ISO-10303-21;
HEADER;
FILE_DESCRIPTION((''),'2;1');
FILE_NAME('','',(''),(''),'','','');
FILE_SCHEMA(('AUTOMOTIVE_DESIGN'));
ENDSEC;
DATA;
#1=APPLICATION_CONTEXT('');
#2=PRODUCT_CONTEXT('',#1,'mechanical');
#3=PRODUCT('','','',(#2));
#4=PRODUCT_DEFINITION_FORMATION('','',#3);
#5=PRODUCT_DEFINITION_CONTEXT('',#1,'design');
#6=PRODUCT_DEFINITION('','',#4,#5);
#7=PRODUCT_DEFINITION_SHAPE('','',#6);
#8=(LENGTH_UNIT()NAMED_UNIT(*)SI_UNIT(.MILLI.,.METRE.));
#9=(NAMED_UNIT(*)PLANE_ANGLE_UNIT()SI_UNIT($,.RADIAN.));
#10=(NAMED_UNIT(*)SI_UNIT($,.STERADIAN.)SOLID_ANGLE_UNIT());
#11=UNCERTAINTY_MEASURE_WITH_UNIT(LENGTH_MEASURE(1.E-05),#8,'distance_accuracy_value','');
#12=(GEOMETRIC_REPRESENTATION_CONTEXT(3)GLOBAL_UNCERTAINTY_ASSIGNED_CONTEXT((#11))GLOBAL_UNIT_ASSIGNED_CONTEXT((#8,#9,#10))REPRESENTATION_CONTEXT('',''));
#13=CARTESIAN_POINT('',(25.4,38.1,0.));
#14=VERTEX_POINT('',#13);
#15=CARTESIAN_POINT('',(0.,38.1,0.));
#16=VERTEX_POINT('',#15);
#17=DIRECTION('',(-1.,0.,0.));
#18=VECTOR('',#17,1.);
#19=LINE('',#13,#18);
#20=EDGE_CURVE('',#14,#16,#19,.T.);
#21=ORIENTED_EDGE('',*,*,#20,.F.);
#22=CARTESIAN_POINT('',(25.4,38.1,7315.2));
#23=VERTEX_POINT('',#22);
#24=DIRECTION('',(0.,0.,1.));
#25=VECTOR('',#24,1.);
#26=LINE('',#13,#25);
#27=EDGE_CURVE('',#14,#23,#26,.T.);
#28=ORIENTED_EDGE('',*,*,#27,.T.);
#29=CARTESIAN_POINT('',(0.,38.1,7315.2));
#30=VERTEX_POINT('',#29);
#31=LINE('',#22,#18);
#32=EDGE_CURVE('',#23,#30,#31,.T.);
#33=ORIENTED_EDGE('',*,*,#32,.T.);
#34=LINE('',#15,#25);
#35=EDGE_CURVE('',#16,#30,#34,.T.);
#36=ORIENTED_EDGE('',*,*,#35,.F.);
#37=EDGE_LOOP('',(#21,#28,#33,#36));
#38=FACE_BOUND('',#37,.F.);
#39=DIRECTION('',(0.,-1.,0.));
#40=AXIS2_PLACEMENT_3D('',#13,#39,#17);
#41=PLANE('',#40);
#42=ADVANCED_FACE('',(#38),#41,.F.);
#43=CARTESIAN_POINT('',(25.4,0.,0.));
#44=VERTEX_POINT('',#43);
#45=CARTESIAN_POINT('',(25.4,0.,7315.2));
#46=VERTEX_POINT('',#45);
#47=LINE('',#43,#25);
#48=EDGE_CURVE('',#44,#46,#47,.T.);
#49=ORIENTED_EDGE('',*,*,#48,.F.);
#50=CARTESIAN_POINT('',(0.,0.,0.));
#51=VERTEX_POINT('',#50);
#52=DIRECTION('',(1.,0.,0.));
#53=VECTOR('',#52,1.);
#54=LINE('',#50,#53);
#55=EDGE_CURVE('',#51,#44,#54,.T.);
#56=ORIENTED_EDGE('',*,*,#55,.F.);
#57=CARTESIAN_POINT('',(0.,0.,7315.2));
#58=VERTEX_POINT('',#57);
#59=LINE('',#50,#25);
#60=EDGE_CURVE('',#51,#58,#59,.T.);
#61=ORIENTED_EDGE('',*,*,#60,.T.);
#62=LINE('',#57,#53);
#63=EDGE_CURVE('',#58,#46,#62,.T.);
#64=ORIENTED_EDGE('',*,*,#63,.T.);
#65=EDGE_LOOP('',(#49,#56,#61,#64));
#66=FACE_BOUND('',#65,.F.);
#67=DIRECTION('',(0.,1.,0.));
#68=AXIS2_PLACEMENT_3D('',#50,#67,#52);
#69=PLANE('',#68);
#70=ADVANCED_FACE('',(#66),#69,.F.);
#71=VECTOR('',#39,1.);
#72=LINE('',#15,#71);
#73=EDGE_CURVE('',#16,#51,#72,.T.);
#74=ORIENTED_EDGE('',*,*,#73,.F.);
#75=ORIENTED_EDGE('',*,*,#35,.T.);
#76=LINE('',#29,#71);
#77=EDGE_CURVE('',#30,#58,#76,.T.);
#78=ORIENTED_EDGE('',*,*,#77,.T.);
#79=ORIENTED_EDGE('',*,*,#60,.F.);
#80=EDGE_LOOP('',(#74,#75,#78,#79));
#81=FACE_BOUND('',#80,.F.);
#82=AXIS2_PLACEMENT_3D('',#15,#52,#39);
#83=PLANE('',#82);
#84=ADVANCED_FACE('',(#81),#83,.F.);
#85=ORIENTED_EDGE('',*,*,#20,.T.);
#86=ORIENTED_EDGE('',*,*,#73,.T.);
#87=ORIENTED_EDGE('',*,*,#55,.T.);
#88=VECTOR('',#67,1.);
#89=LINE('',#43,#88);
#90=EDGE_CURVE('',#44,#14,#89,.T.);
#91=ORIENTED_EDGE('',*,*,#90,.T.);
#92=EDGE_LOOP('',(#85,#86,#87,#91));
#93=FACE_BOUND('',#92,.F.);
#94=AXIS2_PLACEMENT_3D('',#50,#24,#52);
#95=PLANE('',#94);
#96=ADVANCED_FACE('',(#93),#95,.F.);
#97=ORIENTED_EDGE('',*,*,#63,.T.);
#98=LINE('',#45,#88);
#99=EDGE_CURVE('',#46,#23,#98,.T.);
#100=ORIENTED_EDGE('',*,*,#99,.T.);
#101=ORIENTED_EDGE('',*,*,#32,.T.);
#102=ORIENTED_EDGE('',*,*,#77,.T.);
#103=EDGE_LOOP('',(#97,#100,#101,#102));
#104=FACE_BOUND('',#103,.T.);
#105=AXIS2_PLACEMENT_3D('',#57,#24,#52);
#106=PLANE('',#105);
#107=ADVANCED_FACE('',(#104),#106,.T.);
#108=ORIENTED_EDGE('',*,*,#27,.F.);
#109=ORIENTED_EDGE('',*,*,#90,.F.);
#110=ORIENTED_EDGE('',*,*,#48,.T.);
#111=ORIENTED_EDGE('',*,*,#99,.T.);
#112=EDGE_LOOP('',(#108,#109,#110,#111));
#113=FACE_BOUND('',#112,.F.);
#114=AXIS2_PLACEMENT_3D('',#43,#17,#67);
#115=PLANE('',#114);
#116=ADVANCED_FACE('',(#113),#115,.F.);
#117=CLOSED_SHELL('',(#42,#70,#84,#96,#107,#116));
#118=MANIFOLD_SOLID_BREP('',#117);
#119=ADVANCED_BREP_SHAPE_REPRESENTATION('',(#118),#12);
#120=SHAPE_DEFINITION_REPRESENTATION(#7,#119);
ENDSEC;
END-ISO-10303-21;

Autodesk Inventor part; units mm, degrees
ref_plane "YZ Plane" through (0, 0, 0) normal (1, 0, 0) x (0, 1, 0)
ref_plane "XZ Plane" through (0, 0, 0) normal (0, 1, 0) x (-1, 0, 0)
ref_plane "XY Plane" through (0, 0, 0) normal (0, 0, 1) x (1, 0, 0)
sketch "Sketch1" plane through (0, 0, 0) normal (0, 0, 1) x (1, 0, 0)
  line L0 (0, 0) -> (25.4, 0)
  line L1 (25.4, 0) -> (25.4, 38.1)
  line L2 (25.4, 38.1) -> (0, 38.1)
  line L3 (0, 38.1) -> (0, 0)
  dimension "d0" = 38.1
  dimension "d1" = 25.4
extrude "Extrusion1" add sketch "Sketch1" along normal blind 7315.2
properties part number "Soffit_Strip_Vent" material "ABS Plastic"
